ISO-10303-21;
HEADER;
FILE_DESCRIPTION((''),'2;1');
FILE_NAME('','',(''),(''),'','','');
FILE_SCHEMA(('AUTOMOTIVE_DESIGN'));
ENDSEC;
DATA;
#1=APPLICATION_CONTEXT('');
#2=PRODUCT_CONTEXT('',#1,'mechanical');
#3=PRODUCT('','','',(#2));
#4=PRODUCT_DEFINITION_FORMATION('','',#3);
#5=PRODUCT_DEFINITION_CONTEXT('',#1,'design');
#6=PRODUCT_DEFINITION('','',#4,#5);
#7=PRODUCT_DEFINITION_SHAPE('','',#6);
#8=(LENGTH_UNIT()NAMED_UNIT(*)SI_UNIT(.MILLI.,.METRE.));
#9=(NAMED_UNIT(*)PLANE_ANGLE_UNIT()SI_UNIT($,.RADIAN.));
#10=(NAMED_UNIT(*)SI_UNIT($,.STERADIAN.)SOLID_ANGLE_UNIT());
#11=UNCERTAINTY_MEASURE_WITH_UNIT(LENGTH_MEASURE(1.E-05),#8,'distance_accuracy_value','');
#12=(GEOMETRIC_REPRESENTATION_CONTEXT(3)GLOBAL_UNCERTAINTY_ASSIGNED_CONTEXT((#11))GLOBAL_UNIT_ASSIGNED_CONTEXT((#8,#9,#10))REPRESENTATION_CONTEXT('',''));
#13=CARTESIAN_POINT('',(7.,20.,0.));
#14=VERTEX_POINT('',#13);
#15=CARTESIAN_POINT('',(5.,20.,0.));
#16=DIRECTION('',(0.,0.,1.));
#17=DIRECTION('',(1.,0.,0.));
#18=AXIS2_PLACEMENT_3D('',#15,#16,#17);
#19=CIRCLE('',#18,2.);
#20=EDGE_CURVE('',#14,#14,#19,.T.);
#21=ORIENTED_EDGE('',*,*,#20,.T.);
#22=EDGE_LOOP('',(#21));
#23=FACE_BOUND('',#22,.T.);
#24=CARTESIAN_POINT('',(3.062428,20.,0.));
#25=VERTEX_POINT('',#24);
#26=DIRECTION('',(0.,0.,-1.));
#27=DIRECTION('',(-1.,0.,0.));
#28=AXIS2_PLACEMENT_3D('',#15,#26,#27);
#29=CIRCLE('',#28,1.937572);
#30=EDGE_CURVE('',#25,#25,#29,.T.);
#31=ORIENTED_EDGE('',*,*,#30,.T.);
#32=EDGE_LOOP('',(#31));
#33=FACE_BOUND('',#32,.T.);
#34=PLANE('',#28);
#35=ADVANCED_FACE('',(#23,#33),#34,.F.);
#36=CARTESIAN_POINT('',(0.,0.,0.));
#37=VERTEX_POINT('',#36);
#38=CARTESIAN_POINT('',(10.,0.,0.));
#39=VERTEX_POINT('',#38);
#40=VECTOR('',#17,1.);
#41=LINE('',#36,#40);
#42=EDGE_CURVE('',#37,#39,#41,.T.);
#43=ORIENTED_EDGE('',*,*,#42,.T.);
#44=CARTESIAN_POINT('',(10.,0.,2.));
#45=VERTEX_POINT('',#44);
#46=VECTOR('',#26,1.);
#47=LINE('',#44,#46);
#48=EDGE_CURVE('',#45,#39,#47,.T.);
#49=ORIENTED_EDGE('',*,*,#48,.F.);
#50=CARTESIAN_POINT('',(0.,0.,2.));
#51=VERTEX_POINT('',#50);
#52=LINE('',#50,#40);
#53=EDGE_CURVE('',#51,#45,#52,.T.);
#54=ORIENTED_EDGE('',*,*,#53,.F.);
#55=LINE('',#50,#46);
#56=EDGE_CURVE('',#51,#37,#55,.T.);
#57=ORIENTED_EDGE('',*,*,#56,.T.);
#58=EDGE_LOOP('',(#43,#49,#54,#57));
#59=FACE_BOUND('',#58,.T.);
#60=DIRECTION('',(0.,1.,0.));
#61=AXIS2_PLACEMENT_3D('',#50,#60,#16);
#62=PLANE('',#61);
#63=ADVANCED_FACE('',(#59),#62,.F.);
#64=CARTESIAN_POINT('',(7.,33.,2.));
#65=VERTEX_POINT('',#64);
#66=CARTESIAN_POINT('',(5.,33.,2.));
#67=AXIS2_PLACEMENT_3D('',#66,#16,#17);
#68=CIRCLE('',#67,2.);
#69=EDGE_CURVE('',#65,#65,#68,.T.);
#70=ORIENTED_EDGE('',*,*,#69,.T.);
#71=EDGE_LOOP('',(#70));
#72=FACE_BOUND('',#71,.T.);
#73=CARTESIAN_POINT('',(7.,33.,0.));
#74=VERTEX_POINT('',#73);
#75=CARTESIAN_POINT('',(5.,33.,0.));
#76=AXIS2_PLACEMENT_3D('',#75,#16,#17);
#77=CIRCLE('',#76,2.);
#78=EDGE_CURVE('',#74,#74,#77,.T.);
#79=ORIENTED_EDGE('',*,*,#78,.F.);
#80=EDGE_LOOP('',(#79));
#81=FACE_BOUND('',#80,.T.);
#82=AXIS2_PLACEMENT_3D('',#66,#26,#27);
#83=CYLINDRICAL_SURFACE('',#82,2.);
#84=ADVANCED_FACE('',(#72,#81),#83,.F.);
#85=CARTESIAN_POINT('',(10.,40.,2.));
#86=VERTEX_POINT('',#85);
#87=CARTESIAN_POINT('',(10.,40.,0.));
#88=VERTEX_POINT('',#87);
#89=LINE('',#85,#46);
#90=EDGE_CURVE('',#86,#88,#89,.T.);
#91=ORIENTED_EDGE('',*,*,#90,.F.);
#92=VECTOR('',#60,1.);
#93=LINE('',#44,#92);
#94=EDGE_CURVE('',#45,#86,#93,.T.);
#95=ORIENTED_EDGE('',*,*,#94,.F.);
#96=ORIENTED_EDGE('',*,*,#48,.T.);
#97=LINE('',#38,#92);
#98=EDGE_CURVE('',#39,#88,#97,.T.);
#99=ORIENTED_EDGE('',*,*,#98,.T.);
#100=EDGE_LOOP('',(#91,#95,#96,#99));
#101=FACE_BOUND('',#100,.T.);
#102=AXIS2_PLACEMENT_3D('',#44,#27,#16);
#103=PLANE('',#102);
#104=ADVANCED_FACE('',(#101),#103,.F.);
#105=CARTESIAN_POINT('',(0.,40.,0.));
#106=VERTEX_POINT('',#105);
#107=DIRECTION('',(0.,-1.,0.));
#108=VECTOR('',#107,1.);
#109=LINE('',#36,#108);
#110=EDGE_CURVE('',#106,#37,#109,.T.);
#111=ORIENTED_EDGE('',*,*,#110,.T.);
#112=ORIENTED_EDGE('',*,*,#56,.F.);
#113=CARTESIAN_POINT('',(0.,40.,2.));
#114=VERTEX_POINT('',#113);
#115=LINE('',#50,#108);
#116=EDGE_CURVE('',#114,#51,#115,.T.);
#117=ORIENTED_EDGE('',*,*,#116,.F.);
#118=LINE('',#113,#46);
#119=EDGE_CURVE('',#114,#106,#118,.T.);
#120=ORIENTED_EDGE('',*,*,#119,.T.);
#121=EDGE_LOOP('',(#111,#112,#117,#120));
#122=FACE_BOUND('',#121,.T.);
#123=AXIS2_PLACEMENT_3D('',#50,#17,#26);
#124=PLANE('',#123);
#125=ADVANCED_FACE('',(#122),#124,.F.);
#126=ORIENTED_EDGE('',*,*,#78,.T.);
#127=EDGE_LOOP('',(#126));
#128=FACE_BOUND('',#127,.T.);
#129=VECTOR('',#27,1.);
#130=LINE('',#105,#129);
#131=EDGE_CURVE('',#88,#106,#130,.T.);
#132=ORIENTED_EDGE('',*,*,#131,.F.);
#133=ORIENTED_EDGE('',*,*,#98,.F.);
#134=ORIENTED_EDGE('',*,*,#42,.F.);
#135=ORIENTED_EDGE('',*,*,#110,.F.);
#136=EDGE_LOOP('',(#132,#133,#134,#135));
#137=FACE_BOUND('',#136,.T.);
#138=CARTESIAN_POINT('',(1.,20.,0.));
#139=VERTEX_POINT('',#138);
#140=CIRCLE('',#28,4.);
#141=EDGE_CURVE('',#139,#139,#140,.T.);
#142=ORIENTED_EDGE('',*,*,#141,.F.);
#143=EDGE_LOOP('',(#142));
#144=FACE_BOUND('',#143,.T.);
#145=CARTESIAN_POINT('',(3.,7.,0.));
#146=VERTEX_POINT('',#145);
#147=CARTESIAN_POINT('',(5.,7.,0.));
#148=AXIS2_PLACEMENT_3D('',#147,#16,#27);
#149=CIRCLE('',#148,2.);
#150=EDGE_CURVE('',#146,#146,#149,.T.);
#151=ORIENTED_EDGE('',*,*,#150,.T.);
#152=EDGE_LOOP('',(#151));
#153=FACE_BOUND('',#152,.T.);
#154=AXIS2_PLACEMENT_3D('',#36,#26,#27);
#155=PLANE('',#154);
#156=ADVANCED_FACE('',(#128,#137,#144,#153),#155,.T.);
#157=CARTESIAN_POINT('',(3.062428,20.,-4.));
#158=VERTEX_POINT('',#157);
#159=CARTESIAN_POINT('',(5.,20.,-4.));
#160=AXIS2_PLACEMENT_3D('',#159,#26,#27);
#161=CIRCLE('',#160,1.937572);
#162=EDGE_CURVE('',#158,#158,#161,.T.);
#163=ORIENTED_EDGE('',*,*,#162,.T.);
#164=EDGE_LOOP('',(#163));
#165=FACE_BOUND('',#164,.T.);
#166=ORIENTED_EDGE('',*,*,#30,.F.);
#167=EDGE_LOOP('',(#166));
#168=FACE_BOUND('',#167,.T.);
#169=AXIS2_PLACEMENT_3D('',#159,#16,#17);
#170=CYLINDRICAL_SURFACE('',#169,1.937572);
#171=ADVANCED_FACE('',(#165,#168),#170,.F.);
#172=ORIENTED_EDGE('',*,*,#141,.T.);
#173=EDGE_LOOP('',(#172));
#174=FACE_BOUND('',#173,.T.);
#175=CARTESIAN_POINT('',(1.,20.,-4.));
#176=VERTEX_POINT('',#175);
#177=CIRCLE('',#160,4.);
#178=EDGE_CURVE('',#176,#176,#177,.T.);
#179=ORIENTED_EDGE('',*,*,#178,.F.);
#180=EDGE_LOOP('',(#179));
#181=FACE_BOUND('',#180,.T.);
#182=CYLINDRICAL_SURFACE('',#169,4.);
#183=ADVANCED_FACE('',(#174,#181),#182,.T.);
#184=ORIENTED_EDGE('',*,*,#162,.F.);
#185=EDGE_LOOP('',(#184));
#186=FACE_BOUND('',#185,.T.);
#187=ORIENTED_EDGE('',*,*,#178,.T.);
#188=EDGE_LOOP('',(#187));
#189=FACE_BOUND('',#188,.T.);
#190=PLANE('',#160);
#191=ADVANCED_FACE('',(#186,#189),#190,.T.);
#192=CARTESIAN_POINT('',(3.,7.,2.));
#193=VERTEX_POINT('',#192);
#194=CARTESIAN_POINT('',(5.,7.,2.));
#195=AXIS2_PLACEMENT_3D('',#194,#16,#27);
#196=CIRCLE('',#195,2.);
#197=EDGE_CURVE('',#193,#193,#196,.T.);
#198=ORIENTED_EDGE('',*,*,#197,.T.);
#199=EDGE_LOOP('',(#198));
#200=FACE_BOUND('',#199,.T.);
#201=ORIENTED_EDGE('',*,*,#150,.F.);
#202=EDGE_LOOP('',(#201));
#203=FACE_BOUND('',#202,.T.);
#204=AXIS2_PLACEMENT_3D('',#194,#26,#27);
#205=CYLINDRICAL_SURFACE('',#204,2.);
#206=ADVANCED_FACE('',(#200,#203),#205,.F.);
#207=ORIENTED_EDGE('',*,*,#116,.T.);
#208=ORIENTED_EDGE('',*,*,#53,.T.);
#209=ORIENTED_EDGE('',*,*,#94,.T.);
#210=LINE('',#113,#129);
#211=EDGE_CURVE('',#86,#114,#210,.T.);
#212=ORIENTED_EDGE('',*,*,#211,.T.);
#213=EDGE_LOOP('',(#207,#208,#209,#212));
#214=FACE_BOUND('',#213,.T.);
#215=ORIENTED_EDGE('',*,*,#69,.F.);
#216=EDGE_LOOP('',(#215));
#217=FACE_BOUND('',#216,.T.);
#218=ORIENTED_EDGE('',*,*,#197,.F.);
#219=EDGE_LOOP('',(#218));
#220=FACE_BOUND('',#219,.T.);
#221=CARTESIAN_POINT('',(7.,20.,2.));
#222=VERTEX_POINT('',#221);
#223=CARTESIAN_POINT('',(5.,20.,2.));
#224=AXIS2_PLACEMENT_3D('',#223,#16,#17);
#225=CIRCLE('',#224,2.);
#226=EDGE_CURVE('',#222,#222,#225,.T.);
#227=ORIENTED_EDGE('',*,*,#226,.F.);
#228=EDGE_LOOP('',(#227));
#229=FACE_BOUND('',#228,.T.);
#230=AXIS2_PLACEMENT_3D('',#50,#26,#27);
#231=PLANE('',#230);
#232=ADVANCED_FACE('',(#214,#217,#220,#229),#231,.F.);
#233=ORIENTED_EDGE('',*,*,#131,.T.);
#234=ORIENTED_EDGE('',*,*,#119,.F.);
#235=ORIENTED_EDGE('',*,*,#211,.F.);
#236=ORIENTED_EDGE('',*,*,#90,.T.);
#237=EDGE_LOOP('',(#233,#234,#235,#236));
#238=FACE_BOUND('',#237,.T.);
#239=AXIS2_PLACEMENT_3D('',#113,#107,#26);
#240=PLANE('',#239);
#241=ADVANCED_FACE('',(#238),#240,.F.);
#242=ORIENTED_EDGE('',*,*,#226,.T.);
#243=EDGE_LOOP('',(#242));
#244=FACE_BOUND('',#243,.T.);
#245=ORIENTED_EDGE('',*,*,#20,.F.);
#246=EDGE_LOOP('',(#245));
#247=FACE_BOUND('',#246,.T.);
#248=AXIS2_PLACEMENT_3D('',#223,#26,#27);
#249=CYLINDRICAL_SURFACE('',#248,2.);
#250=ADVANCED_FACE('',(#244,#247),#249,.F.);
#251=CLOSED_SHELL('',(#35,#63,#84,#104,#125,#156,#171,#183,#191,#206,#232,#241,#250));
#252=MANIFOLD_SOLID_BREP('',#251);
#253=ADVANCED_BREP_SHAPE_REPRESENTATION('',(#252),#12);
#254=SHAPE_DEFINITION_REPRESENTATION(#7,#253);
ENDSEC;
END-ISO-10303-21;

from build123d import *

# Parameters (mm, degrees)
IZIM1_W                     = 10
IZIM1_H                     = 40
IZIM1_R                     = 2
Y_KSEKLIK_EKSTR_ZYON1_DEPTH = 2
IZIM2_R                     = 4
IZIM2_R_2                   = 1.937571625
Y_KSEKLIK_EKSTR_ZYON2_DEPTH = 4


with BuildPart() as part:
    # Çizim1 → Yükseklik-Ekstrüzyon1 (new body)
    with BuildSketch(Plane.XY):
        with Locations((5, 20)):
            Rectangle(IZIM1_W, IZIM1_H)
        with Locations((5, 20)):
            Circle(IZIM1_R, mode=Mode.SUBTRACT)
        with Locations((5, 33)):
            Circle(IZIM1_R, mode=Mode.SUBTRACT)
        with Locations(Location((5, 7, 0), (0, 0, 180))):
            Circle(IZIM1_R, mode=Mode.SUBTRACT)
    extrude(amount=Y_KSEKLIK_EKSTR_ZYON1_DEPTH)

    # Çizim2 → Yükseklik-Ekstrüzyon2 (add)
    with BuildSketch(Plane(origin=(0, 0, 0), x_dir=(-1, 0, 0), z_dir=(0, 0, -1))):
        with Locations((-5, 20)):
            Circle(IZIM2_R)
        with Locations((-5, 20)):
            Circle(IZIM2_R_2, mode=Mode.SUBTRACT)
    extrude(amount=Y_KSEKLIK_EKSTR_ZYON2_DEPTH)


solid = part.part
